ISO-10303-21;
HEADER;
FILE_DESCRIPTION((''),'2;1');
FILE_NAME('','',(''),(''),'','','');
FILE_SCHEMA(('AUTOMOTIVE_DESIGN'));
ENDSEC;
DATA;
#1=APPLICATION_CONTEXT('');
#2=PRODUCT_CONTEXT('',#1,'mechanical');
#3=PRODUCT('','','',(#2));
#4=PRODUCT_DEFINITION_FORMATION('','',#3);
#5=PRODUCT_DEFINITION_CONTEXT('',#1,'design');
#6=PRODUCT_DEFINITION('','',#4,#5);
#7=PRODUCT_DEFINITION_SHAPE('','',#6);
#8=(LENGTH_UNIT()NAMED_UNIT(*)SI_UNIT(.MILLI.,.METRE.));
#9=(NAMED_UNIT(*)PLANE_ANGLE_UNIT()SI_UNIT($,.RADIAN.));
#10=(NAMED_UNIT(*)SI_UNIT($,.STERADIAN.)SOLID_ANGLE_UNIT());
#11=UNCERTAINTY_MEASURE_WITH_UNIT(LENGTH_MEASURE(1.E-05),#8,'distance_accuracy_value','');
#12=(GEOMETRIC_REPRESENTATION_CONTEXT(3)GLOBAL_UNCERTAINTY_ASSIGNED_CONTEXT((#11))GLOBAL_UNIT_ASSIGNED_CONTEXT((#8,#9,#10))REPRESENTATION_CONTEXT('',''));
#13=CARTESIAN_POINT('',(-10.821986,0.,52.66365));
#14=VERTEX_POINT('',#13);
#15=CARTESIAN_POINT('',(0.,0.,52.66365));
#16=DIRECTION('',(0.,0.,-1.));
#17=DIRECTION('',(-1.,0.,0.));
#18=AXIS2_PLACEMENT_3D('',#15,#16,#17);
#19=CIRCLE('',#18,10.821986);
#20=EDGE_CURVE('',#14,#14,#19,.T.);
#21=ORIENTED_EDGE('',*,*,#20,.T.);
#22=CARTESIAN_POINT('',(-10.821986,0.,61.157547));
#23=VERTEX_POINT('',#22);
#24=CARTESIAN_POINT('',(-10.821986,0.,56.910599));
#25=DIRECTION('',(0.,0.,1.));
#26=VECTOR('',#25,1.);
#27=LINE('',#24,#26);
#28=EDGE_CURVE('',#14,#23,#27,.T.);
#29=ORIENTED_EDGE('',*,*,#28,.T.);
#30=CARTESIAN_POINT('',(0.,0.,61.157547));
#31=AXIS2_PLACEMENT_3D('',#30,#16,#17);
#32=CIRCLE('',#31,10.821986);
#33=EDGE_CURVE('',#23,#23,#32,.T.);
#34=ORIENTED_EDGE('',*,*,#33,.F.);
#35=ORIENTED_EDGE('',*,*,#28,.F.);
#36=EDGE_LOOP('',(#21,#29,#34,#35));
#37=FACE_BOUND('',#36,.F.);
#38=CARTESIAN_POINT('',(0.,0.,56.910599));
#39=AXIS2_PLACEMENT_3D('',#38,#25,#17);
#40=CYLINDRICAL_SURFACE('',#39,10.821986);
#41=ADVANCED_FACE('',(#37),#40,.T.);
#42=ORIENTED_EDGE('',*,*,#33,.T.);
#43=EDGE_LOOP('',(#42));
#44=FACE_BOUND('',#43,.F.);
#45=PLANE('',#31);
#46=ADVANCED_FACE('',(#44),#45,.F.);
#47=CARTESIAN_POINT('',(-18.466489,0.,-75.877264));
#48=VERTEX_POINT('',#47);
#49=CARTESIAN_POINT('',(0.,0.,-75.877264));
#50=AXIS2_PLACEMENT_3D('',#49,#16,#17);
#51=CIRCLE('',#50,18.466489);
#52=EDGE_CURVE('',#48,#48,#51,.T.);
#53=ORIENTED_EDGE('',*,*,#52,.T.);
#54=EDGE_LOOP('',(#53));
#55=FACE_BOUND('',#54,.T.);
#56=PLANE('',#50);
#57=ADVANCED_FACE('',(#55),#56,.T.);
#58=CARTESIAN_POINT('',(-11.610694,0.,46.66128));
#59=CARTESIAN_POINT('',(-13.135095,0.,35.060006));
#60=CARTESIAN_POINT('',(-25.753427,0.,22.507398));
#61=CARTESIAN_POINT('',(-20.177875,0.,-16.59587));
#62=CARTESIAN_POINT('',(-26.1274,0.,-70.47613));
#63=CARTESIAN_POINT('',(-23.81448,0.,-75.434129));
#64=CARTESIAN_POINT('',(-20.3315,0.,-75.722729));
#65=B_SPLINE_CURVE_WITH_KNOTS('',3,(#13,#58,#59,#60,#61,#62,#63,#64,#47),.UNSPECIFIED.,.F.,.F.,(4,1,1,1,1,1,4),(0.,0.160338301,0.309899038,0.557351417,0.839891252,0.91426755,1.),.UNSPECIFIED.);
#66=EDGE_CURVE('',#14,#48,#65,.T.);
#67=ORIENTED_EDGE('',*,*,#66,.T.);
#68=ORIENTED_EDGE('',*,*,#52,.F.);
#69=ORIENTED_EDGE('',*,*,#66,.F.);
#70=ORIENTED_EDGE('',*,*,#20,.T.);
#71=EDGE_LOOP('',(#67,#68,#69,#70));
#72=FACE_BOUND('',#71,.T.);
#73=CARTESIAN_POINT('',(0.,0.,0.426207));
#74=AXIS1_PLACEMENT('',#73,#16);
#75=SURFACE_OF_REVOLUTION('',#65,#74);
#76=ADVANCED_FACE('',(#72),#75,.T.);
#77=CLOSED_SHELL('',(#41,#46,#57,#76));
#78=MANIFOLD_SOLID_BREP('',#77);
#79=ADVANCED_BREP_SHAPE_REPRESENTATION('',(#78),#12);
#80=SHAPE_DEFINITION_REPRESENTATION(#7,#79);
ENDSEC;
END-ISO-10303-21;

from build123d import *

# Parameters (mm, degrees)
F0_W = 10.8219860122
F0_H = 8.4938965738


with BuildPart() as f1:
    # F0 (on Front) → F1 (revolve)
    with BuildSketch(Plane.XZ):
        with Locations((-5.4109930061, 56.9105986506)):
            Rectangle(F0_W, F0_H)
        with BuildLine():
            add(Edge.make_bspline(
                [(-10.8219860122, 52.6636503637), (-11.6106941817, 46.6612804566), (-13.135095415, 35.0600058129), (-25.7534269355, 22.5073978325), (-20.1778747984, -16.5958697884), (-26.1273999313, -70.4761303339), (-23.8144802182, -75.4341293366), (-20.3314996458, -75.7227292927), (-18.4664893895, -75.877264142)],
                knots=[0, 0, 0, 0, 0.1603383006, 0.3098990381, 0.5573514169, 0.839891252, 0.9142675502, 1, 1, 1, 1], degree=3))
            Line((-18.4664893895, -75.877264142), (0, -75.877264142))
            Line((0, -75.877264142), (0, 52.6636503637))
            Line((0, 52.6636503637), (-10.8219860122, 52.6636503637))
        make_face()
    revolve(axis=Axis((0, 0, 0.4262067378), (0, 0, -1)))


solid = f1.part
